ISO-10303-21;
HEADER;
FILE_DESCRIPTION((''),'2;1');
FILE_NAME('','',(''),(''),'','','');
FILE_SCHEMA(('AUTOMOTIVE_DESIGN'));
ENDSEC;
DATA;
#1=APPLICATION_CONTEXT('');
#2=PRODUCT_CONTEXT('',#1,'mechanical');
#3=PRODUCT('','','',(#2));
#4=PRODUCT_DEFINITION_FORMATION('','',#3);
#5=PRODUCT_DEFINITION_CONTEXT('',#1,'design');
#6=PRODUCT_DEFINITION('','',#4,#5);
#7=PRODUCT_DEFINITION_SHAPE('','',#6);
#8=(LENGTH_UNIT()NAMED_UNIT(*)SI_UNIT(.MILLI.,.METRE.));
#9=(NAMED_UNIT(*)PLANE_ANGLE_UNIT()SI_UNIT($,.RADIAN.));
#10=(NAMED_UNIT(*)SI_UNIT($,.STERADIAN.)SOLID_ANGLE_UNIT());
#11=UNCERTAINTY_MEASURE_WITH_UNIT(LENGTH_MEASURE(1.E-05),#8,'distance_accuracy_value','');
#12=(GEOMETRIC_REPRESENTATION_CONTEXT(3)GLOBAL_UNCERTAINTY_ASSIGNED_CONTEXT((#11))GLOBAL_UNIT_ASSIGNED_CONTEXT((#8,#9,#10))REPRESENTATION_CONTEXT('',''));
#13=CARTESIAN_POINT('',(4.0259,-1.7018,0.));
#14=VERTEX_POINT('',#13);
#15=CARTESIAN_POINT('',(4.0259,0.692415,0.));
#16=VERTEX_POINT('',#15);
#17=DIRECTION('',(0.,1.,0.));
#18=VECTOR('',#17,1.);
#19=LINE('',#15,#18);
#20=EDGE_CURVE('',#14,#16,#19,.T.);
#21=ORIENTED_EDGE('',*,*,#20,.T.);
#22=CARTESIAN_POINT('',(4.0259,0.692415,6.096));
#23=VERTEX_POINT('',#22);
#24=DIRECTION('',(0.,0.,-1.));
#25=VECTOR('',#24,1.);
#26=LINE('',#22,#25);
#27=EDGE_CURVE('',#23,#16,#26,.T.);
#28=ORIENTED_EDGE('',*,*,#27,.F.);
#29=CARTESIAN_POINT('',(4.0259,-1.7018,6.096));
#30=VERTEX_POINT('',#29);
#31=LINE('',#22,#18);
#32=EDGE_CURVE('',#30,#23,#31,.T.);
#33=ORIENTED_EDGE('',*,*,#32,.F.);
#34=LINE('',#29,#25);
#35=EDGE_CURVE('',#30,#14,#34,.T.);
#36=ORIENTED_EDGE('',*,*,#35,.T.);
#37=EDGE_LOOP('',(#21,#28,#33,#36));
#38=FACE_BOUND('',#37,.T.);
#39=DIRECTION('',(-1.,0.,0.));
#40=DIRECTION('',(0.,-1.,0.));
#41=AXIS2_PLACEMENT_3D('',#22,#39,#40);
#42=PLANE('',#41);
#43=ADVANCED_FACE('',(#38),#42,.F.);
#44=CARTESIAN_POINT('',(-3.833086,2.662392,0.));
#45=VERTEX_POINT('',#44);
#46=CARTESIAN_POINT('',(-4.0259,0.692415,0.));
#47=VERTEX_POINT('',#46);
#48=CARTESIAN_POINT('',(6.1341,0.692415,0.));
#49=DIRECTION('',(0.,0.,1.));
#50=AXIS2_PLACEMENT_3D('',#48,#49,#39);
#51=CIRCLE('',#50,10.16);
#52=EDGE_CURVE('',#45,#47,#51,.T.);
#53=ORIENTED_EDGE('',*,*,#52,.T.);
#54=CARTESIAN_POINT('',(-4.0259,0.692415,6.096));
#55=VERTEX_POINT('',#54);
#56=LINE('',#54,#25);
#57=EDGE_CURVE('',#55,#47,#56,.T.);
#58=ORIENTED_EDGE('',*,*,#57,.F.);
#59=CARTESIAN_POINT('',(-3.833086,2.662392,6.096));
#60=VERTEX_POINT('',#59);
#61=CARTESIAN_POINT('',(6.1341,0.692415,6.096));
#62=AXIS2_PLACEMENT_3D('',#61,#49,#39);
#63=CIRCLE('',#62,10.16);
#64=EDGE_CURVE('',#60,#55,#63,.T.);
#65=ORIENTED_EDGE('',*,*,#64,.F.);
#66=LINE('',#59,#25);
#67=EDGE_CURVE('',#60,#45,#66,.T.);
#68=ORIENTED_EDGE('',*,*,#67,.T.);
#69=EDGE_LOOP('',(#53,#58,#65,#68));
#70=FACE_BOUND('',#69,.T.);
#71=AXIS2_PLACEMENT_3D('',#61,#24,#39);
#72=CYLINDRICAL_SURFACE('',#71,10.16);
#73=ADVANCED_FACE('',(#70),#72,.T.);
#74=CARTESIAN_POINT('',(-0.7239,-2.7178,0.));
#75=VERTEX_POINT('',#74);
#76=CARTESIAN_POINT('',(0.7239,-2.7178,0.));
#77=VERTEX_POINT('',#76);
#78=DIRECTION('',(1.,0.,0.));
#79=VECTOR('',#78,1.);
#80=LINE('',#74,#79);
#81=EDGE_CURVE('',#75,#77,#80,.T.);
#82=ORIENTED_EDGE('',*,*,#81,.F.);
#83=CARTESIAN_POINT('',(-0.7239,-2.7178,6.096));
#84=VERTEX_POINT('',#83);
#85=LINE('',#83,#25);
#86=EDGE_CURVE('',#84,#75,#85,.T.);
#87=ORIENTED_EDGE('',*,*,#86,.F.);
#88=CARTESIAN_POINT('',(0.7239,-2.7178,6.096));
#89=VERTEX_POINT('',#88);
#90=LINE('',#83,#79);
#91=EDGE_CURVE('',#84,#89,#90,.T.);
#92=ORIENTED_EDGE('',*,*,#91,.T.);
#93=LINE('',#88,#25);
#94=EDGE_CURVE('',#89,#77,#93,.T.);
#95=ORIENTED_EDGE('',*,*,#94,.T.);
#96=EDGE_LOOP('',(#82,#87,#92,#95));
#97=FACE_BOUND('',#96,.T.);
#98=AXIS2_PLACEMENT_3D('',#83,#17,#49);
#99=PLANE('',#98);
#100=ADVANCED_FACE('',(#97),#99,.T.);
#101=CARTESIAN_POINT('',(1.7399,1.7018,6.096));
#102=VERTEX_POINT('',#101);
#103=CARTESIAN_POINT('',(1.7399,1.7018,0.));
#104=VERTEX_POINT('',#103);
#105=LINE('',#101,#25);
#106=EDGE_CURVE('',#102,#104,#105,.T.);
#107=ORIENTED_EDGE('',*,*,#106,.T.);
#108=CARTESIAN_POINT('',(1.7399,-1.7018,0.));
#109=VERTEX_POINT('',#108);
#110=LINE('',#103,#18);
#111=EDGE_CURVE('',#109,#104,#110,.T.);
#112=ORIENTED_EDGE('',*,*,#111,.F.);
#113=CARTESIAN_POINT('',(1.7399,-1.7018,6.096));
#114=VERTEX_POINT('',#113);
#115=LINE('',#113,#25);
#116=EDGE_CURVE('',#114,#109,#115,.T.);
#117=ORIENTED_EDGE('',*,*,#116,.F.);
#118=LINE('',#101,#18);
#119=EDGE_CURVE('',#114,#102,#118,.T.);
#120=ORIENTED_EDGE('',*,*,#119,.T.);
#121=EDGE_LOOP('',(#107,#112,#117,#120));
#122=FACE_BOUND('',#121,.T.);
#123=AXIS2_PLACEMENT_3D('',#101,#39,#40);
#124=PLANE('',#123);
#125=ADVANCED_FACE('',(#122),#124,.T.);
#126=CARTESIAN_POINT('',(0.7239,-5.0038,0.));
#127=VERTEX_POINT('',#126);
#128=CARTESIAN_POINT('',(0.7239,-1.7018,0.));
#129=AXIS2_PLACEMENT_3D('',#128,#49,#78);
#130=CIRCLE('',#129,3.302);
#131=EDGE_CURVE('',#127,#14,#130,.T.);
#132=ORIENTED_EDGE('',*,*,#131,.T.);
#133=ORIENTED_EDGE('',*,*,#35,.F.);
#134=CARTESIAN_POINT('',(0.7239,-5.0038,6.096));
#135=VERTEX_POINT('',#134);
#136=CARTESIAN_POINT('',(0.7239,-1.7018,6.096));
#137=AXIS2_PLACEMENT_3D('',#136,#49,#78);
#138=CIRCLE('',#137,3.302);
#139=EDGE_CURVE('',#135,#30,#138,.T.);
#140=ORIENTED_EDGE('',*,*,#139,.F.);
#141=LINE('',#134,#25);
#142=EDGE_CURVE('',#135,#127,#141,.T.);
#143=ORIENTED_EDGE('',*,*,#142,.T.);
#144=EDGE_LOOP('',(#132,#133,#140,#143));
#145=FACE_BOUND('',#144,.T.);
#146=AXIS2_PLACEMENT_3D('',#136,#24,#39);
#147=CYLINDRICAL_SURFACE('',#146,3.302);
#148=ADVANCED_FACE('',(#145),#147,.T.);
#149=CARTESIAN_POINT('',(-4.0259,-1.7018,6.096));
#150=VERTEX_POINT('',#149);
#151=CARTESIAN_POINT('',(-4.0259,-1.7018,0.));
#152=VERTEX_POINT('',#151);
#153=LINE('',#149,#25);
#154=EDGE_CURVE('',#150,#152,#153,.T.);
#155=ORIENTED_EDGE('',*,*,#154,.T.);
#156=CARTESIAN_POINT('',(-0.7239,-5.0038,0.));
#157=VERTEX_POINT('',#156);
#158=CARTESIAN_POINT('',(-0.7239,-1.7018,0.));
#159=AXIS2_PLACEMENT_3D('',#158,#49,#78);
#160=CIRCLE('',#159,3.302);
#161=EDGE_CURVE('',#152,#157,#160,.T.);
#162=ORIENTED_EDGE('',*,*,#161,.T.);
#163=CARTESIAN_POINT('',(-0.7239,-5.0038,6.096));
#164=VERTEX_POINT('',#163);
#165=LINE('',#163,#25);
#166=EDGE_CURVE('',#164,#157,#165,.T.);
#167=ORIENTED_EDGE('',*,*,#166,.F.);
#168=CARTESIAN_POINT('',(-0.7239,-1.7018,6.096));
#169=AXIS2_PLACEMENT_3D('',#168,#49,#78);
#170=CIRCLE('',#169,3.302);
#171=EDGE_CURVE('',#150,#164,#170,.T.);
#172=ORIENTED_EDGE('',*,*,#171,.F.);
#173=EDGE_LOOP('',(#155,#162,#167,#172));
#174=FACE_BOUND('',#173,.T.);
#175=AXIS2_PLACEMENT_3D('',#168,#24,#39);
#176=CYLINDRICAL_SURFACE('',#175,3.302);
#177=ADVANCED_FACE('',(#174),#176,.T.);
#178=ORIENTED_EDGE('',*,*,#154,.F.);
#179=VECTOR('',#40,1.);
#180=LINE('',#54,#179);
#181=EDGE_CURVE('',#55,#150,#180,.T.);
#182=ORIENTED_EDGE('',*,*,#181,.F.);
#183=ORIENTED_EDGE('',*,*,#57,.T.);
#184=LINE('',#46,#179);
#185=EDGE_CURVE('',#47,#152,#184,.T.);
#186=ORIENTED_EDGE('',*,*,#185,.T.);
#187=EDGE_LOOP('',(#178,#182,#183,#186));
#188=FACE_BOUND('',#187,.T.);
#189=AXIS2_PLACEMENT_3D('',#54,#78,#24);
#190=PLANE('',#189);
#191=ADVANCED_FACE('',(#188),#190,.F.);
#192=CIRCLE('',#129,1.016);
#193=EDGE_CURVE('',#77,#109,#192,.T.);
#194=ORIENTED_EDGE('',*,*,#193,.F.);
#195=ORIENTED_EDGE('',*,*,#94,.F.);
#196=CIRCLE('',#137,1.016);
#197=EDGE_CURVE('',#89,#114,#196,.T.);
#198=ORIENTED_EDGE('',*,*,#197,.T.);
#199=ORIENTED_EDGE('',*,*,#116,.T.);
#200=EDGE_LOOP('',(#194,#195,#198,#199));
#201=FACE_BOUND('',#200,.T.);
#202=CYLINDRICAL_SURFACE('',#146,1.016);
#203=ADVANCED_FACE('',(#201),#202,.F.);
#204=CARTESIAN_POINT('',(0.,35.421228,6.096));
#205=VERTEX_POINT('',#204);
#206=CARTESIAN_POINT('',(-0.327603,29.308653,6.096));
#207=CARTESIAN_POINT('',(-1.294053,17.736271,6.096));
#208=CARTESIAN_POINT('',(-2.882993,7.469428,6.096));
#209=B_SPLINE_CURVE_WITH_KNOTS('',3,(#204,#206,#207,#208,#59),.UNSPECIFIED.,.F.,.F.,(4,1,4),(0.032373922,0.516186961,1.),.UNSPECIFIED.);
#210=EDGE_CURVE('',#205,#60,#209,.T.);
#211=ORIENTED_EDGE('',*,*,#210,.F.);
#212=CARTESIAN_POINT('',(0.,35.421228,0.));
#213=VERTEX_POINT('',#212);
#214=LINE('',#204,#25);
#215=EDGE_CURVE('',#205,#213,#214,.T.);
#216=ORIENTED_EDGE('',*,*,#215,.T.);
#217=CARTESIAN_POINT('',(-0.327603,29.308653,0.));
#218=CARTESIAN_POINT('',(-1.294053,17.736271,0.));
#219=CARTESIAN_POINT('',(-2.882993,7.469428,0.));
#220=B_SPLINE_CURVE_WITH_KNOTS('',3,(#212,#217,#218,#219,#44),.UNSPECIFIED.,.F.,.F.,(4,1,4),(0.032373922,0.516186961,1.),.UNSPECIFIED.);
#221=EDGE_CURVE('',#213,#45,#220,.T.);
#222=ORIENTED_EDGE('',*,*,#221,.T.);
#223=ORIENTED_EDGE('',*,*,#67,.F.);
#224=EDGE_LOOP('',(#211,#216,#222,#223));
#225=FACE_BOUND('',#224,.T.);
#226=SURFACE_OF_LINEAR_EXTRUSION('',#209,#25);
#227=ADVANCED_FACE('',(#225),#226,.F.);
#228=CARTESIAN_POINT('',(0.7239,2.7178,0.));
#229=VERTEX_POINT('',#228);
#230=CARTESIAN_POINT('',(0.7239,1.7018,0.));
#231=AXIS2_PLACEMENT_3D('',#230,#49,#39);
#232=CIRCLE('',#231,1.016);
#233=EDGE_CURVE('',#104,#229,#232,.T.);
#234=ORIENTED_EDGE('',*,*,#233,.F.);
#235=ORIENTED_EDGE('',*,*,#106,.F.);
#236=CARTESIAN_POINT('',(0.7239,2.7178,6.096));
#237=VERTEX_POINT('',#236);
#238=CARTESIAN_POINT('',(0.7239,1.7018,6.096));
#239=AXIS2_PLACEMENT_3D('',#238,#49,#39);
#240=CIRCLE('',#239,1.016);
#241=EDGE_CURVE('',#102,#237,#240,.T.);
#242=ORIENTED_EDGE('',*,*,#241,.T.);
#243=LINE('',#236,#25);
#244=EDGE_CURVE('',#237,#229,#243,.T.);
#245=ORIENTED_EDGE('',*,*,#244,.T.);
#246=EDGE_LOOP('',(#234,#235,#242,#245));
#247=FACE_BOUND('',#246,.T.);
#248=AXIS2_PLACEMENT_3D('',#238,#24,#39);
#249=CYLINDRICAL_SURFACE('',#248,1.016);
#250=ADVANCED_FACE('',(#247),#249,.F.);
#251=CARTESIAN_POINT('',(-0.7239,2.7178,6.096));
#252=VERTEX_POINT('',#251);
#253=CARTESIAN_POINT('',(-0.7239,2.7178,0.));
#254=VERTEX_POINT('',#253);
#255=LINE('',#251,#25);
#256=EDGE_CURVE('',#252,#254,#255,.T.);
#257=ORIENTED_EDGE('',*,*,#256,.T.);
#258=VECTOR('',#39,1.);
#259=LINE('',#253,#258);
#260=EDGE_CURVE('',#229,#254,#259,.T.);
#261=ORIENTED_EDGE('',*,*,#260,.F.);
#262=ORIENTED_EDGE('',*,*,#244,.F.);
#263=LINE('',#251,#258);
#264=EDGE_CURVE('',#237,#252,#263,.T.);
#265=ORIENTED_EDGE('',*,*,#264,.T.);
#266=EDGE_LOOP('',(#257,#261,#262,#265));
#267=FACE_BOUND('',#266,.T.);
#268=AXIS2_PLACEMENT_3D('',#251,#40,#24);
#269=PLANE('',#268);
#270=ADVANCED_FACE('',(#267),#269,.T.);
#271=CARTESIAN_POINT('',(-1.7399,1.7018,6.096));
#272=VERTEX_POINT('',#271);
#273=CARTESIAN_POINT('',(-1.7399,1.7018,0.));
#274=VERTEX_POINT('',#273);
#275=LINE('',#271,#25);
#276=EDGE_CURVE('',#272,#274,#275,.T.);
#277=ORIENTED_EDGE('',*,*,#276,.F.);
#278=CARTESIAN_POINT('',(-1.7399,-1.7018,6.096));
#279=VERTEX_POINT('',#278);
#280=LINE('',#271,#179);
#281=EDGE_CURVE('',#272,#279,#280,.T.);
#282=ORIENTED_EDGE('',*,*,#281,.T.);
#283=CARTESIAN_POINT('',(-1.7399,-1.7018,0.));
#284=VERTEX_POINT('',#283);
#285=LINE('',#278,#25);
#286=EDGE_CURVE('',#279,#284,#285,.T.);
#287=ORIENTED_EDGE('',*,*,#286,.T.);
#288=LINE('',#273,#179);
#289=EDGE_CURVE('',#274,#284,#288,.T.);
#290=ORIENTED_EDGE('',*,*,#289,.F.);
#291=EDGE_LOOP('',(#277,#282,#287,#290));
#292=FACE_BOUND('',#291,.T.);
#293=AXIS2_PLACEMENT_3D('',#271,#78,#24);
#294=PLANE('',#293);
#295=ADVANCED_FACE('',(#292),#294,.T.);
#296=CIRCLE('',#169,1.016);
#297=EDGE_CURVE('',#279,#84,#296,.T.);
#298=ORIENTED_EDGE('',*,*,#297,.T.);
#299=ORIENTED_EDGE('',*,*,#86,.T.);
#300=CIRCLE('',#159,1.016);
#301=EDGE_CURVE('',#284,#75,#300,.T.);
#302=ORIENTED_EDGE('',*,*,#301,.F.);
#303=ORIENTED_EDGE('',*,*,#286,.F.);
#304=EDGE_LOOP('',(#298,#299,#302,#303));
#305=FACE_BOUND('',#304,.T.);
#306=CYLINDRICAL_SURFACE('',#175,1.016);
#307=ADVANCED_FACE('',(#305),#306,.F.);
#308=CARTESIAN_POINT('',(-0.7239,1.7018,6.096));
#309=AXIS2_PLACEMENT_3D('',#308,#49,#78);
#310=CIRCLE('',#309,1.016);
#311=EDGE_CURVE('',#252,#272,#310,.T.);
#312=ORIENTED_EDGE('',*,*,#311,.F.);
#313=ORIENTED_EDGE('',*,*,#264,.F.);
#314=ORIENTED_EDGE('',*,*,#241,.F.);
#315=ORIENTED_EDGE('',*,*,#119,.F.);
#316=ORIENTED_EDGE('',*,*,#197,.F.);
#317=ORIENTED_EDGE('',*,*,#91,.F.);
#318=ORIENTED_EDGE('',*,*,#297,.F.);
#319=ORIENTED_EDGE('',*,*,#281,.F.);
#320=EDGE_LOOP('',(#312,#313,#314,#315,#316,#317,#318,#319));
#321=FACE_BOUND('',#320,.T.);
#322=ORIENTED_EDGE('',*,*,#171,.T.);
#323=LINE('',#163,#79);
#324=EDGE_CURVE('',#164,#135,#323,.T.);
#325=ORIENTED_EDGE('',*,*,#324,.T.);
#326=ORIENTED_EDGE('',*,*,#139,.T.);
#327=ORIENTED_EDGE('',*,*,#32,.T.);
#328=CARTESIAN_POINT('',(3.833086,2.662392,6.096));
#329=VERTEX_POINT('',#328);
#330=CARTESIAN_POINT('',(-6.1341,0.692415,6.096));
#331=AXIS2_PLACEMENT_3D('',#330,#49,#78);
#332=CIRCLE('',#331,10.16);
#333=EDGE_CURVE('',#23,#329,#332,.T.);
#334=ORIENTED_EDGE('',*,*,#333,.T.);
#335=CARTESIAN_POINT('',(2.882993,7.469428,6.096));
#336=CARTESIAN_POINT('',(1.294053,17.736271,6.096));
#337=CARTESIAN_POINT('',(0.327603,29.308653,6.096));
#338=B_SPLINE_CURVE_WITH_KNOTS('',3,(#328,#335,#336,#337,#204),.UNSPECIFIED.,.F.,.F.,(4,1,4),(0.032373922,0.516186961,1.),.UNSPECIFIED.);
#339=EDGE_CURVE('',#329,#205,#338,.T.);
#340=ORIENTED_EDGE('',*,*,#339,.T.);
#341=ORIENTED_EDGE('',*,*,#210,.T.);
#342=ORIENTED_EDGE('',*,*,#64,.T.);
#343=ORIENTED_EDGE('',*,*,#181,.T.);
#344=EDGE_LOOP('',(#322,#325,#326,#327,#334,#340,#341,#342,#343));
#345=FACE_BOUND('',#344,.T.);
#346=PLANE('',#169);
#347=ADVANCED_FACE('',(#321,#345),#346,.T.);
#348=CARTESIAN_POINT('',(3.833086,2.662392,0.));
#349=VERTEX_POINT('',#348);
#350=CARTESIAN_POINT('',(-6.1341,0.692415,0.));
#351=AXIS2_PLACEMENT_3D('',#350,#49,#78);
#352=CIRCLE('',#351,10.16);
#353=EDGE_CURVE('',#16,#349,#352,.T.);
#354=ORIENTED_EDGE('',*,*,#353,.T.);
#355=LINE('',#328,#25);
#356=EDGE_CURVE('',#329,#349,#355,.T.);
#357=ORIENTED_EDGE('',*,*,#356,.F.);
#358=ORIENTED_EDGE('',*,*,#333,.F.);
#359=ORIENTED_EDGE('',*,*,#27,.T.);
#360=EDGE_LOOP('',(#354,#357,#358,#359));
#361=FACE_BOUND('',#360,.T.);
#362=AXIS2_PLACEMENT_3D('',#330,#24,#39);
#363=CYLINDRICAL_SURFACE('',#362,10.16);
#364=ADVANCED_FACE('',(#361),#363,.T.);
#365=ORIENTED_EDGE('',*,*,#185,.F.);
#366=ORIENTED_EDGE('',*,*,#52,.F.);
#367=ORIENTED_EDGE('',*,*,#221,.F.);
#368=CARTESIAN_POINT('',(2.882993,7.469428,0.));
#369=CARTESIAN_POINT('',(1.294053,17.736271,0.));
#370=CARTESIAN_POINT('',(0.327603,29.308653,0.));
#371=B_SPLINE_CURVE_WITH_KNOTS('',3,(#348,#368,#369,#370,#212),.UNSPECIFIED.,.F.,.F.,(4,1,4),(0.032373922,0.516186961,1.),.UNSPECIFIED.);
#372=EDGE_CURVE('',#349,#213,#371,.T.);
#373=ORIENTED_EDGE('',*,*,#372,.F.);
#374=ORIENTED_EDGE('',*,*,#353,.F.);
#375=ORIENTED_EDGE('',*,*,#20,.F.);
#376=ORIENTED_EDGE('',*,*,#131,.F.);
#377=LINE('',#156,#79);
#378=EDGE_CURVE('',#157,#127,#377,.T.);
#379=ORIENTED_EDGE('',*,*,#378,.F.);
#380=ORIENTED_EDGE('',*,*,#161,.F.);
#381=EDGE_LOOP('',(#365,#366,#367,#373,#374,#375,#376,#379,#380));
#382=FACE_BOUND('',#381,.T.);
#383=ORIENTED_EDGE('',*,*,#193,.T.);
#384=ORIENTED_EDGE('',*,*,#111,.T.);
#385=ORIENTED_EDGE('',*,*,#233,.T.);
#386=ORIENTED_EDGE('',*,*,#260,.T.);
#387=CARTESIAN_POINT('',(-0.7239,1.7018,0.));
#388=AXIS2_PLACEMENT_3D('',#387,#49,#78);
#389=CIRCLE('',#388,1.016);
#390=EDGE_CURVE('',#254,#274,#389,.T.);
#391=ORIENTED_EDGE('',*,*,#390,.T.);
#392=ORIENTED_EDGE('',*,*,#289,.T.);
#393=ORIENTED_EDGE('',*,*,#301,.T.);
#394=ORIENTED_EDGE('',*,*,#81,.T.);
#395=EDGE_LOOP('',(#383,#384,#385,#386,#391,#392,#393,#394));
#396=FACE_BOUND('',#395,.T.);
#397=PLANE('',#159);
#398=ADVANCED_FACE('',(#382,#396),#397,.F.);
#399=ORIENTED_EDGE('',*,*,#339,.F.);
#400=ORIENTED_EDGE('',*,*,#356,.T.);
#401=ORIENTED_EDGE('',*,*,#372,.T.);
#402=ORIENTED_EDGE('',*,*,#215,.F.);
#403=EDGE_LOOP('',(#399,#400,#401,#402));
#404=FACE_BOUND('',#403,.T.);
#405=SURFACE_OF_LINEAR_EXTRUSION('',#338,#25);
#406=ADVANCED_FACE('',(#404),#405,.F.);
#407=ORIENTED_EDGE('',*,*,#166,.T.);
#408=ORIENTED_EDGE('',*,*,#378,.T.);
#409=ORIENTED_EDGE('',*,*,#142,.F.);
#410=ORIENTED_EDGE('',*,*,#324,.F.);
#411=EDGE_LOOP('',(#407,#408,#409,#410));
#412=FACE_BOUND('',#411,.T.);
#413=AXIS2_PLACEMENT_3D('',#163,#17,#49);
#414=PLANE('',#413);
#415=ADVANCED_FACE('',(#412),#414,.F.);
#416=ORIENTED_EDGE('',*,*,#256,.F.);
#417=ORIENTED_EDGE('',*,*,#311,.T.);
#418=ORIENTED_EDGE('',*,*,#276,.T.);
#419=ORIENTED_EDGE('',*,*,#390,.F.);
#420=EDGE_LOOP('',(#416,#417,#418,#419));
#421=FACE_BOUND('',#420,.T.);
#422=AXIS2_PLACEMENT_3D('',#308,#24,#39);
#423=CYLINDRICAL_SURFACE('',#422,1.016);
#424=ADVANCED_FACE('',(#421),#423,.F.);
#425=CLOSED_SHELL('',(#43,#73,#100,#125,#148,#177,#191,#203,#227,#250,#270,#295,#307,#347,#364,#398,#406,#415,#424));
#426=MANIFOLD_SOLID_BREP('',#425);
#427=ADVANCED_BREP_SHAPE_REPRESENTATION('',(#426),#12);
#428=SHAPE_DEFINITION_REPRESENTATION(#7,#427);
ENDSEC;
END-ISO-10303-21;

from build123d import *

# Parameters (mm, degrees)
BOSS_EXTRUDE2_DEPTH = 6.096


with BuildPart() as part:
    # Sketch1 → Boss-Extrude2 (new body)
    with BuildSketch(Plane.XY):
        with BuildLine():
            Line((-4.0259, 0.692415095), (-4.0259, -1.7018))
            ThreePointArc((-4.0259, -1.7018), (-3.058766591, -4.036666591), (-0.7239, -5.0038))
            Line((-0.7239, -5.0038), (0.7239, -5.0038))
            ThreePointArc((0.7239, -5.0038), (3.058766591, -4.036666591), (4.0259, -1.7018))
            Line((4.0259, -1.7018), (4.0259, 0.692415095))
            ThreePointArc((4.0259, 0.692415095), (3.977581548, 1.682110135), (3.833085773, 2.662391684))
            add(Edge.make_bspline(
                [(3.833085773, 2.662391684), (2.882993145, 7.469428366), (1.294052888, 17.736271143), (0.32760263, 29.308652747), (0, 35.421228256)],
                knots=[0.032373922, 0.032373922, 0.032373922, 0.032373922, 0.516186961, 1, 1, 1, 1], degree=3))
            add(Edge.make_bspline(
                [(-3.833085773, 2.662391684), (-2.882993145, 7.469428366), (-1.294052888, 17.736271143), (-0.32760263, 29.308652747), (0, 35.421228256)],
                knots=[0.032373922, 0.032373922, 0.032373922, 0.032373922, 0.516186961, 1, 1, 1, 1], degree=3))
            ThreePointArc((-3.833085773, 2.662391684), (-3.977581548, 1.682110135), (-4.0259, 0.692415095))
        make_face()
        with BuildLine():
            Line((-1.7399, 1.7018), (-1.7399, -1.7018))
            ThreePointArc((-1.7399, -1.7018), (-1.44232049, -2.42022049), (-0.7239, -2.7178))
            Line((-0.7239, -2.7178), (0.7239, -2.7178))
            ThreePointArc((0.7239, -2.7178), (1.44232049, -2.42022049), (1.7399, -1.7018))
            Line((1.7399, -1.7018), (1.7399, 1.7018))
            ThreePointArc((1.7399, 1.7018), (1.44232049, 2.42022049), (0.7239, 2.7178))
            Line((0.7239, 2.7178), (-0.7239, 2.7178))
            ThreePointArc((-0.7239, 2.7178), (-1.44232049, 2.42022049), (-1.7399, 1.7018))
        make_face(mode=Mode.SUBTRACT)
    extrude(amount=BOSS_EXTRUDE2_DEPTH)


solid = part.part
